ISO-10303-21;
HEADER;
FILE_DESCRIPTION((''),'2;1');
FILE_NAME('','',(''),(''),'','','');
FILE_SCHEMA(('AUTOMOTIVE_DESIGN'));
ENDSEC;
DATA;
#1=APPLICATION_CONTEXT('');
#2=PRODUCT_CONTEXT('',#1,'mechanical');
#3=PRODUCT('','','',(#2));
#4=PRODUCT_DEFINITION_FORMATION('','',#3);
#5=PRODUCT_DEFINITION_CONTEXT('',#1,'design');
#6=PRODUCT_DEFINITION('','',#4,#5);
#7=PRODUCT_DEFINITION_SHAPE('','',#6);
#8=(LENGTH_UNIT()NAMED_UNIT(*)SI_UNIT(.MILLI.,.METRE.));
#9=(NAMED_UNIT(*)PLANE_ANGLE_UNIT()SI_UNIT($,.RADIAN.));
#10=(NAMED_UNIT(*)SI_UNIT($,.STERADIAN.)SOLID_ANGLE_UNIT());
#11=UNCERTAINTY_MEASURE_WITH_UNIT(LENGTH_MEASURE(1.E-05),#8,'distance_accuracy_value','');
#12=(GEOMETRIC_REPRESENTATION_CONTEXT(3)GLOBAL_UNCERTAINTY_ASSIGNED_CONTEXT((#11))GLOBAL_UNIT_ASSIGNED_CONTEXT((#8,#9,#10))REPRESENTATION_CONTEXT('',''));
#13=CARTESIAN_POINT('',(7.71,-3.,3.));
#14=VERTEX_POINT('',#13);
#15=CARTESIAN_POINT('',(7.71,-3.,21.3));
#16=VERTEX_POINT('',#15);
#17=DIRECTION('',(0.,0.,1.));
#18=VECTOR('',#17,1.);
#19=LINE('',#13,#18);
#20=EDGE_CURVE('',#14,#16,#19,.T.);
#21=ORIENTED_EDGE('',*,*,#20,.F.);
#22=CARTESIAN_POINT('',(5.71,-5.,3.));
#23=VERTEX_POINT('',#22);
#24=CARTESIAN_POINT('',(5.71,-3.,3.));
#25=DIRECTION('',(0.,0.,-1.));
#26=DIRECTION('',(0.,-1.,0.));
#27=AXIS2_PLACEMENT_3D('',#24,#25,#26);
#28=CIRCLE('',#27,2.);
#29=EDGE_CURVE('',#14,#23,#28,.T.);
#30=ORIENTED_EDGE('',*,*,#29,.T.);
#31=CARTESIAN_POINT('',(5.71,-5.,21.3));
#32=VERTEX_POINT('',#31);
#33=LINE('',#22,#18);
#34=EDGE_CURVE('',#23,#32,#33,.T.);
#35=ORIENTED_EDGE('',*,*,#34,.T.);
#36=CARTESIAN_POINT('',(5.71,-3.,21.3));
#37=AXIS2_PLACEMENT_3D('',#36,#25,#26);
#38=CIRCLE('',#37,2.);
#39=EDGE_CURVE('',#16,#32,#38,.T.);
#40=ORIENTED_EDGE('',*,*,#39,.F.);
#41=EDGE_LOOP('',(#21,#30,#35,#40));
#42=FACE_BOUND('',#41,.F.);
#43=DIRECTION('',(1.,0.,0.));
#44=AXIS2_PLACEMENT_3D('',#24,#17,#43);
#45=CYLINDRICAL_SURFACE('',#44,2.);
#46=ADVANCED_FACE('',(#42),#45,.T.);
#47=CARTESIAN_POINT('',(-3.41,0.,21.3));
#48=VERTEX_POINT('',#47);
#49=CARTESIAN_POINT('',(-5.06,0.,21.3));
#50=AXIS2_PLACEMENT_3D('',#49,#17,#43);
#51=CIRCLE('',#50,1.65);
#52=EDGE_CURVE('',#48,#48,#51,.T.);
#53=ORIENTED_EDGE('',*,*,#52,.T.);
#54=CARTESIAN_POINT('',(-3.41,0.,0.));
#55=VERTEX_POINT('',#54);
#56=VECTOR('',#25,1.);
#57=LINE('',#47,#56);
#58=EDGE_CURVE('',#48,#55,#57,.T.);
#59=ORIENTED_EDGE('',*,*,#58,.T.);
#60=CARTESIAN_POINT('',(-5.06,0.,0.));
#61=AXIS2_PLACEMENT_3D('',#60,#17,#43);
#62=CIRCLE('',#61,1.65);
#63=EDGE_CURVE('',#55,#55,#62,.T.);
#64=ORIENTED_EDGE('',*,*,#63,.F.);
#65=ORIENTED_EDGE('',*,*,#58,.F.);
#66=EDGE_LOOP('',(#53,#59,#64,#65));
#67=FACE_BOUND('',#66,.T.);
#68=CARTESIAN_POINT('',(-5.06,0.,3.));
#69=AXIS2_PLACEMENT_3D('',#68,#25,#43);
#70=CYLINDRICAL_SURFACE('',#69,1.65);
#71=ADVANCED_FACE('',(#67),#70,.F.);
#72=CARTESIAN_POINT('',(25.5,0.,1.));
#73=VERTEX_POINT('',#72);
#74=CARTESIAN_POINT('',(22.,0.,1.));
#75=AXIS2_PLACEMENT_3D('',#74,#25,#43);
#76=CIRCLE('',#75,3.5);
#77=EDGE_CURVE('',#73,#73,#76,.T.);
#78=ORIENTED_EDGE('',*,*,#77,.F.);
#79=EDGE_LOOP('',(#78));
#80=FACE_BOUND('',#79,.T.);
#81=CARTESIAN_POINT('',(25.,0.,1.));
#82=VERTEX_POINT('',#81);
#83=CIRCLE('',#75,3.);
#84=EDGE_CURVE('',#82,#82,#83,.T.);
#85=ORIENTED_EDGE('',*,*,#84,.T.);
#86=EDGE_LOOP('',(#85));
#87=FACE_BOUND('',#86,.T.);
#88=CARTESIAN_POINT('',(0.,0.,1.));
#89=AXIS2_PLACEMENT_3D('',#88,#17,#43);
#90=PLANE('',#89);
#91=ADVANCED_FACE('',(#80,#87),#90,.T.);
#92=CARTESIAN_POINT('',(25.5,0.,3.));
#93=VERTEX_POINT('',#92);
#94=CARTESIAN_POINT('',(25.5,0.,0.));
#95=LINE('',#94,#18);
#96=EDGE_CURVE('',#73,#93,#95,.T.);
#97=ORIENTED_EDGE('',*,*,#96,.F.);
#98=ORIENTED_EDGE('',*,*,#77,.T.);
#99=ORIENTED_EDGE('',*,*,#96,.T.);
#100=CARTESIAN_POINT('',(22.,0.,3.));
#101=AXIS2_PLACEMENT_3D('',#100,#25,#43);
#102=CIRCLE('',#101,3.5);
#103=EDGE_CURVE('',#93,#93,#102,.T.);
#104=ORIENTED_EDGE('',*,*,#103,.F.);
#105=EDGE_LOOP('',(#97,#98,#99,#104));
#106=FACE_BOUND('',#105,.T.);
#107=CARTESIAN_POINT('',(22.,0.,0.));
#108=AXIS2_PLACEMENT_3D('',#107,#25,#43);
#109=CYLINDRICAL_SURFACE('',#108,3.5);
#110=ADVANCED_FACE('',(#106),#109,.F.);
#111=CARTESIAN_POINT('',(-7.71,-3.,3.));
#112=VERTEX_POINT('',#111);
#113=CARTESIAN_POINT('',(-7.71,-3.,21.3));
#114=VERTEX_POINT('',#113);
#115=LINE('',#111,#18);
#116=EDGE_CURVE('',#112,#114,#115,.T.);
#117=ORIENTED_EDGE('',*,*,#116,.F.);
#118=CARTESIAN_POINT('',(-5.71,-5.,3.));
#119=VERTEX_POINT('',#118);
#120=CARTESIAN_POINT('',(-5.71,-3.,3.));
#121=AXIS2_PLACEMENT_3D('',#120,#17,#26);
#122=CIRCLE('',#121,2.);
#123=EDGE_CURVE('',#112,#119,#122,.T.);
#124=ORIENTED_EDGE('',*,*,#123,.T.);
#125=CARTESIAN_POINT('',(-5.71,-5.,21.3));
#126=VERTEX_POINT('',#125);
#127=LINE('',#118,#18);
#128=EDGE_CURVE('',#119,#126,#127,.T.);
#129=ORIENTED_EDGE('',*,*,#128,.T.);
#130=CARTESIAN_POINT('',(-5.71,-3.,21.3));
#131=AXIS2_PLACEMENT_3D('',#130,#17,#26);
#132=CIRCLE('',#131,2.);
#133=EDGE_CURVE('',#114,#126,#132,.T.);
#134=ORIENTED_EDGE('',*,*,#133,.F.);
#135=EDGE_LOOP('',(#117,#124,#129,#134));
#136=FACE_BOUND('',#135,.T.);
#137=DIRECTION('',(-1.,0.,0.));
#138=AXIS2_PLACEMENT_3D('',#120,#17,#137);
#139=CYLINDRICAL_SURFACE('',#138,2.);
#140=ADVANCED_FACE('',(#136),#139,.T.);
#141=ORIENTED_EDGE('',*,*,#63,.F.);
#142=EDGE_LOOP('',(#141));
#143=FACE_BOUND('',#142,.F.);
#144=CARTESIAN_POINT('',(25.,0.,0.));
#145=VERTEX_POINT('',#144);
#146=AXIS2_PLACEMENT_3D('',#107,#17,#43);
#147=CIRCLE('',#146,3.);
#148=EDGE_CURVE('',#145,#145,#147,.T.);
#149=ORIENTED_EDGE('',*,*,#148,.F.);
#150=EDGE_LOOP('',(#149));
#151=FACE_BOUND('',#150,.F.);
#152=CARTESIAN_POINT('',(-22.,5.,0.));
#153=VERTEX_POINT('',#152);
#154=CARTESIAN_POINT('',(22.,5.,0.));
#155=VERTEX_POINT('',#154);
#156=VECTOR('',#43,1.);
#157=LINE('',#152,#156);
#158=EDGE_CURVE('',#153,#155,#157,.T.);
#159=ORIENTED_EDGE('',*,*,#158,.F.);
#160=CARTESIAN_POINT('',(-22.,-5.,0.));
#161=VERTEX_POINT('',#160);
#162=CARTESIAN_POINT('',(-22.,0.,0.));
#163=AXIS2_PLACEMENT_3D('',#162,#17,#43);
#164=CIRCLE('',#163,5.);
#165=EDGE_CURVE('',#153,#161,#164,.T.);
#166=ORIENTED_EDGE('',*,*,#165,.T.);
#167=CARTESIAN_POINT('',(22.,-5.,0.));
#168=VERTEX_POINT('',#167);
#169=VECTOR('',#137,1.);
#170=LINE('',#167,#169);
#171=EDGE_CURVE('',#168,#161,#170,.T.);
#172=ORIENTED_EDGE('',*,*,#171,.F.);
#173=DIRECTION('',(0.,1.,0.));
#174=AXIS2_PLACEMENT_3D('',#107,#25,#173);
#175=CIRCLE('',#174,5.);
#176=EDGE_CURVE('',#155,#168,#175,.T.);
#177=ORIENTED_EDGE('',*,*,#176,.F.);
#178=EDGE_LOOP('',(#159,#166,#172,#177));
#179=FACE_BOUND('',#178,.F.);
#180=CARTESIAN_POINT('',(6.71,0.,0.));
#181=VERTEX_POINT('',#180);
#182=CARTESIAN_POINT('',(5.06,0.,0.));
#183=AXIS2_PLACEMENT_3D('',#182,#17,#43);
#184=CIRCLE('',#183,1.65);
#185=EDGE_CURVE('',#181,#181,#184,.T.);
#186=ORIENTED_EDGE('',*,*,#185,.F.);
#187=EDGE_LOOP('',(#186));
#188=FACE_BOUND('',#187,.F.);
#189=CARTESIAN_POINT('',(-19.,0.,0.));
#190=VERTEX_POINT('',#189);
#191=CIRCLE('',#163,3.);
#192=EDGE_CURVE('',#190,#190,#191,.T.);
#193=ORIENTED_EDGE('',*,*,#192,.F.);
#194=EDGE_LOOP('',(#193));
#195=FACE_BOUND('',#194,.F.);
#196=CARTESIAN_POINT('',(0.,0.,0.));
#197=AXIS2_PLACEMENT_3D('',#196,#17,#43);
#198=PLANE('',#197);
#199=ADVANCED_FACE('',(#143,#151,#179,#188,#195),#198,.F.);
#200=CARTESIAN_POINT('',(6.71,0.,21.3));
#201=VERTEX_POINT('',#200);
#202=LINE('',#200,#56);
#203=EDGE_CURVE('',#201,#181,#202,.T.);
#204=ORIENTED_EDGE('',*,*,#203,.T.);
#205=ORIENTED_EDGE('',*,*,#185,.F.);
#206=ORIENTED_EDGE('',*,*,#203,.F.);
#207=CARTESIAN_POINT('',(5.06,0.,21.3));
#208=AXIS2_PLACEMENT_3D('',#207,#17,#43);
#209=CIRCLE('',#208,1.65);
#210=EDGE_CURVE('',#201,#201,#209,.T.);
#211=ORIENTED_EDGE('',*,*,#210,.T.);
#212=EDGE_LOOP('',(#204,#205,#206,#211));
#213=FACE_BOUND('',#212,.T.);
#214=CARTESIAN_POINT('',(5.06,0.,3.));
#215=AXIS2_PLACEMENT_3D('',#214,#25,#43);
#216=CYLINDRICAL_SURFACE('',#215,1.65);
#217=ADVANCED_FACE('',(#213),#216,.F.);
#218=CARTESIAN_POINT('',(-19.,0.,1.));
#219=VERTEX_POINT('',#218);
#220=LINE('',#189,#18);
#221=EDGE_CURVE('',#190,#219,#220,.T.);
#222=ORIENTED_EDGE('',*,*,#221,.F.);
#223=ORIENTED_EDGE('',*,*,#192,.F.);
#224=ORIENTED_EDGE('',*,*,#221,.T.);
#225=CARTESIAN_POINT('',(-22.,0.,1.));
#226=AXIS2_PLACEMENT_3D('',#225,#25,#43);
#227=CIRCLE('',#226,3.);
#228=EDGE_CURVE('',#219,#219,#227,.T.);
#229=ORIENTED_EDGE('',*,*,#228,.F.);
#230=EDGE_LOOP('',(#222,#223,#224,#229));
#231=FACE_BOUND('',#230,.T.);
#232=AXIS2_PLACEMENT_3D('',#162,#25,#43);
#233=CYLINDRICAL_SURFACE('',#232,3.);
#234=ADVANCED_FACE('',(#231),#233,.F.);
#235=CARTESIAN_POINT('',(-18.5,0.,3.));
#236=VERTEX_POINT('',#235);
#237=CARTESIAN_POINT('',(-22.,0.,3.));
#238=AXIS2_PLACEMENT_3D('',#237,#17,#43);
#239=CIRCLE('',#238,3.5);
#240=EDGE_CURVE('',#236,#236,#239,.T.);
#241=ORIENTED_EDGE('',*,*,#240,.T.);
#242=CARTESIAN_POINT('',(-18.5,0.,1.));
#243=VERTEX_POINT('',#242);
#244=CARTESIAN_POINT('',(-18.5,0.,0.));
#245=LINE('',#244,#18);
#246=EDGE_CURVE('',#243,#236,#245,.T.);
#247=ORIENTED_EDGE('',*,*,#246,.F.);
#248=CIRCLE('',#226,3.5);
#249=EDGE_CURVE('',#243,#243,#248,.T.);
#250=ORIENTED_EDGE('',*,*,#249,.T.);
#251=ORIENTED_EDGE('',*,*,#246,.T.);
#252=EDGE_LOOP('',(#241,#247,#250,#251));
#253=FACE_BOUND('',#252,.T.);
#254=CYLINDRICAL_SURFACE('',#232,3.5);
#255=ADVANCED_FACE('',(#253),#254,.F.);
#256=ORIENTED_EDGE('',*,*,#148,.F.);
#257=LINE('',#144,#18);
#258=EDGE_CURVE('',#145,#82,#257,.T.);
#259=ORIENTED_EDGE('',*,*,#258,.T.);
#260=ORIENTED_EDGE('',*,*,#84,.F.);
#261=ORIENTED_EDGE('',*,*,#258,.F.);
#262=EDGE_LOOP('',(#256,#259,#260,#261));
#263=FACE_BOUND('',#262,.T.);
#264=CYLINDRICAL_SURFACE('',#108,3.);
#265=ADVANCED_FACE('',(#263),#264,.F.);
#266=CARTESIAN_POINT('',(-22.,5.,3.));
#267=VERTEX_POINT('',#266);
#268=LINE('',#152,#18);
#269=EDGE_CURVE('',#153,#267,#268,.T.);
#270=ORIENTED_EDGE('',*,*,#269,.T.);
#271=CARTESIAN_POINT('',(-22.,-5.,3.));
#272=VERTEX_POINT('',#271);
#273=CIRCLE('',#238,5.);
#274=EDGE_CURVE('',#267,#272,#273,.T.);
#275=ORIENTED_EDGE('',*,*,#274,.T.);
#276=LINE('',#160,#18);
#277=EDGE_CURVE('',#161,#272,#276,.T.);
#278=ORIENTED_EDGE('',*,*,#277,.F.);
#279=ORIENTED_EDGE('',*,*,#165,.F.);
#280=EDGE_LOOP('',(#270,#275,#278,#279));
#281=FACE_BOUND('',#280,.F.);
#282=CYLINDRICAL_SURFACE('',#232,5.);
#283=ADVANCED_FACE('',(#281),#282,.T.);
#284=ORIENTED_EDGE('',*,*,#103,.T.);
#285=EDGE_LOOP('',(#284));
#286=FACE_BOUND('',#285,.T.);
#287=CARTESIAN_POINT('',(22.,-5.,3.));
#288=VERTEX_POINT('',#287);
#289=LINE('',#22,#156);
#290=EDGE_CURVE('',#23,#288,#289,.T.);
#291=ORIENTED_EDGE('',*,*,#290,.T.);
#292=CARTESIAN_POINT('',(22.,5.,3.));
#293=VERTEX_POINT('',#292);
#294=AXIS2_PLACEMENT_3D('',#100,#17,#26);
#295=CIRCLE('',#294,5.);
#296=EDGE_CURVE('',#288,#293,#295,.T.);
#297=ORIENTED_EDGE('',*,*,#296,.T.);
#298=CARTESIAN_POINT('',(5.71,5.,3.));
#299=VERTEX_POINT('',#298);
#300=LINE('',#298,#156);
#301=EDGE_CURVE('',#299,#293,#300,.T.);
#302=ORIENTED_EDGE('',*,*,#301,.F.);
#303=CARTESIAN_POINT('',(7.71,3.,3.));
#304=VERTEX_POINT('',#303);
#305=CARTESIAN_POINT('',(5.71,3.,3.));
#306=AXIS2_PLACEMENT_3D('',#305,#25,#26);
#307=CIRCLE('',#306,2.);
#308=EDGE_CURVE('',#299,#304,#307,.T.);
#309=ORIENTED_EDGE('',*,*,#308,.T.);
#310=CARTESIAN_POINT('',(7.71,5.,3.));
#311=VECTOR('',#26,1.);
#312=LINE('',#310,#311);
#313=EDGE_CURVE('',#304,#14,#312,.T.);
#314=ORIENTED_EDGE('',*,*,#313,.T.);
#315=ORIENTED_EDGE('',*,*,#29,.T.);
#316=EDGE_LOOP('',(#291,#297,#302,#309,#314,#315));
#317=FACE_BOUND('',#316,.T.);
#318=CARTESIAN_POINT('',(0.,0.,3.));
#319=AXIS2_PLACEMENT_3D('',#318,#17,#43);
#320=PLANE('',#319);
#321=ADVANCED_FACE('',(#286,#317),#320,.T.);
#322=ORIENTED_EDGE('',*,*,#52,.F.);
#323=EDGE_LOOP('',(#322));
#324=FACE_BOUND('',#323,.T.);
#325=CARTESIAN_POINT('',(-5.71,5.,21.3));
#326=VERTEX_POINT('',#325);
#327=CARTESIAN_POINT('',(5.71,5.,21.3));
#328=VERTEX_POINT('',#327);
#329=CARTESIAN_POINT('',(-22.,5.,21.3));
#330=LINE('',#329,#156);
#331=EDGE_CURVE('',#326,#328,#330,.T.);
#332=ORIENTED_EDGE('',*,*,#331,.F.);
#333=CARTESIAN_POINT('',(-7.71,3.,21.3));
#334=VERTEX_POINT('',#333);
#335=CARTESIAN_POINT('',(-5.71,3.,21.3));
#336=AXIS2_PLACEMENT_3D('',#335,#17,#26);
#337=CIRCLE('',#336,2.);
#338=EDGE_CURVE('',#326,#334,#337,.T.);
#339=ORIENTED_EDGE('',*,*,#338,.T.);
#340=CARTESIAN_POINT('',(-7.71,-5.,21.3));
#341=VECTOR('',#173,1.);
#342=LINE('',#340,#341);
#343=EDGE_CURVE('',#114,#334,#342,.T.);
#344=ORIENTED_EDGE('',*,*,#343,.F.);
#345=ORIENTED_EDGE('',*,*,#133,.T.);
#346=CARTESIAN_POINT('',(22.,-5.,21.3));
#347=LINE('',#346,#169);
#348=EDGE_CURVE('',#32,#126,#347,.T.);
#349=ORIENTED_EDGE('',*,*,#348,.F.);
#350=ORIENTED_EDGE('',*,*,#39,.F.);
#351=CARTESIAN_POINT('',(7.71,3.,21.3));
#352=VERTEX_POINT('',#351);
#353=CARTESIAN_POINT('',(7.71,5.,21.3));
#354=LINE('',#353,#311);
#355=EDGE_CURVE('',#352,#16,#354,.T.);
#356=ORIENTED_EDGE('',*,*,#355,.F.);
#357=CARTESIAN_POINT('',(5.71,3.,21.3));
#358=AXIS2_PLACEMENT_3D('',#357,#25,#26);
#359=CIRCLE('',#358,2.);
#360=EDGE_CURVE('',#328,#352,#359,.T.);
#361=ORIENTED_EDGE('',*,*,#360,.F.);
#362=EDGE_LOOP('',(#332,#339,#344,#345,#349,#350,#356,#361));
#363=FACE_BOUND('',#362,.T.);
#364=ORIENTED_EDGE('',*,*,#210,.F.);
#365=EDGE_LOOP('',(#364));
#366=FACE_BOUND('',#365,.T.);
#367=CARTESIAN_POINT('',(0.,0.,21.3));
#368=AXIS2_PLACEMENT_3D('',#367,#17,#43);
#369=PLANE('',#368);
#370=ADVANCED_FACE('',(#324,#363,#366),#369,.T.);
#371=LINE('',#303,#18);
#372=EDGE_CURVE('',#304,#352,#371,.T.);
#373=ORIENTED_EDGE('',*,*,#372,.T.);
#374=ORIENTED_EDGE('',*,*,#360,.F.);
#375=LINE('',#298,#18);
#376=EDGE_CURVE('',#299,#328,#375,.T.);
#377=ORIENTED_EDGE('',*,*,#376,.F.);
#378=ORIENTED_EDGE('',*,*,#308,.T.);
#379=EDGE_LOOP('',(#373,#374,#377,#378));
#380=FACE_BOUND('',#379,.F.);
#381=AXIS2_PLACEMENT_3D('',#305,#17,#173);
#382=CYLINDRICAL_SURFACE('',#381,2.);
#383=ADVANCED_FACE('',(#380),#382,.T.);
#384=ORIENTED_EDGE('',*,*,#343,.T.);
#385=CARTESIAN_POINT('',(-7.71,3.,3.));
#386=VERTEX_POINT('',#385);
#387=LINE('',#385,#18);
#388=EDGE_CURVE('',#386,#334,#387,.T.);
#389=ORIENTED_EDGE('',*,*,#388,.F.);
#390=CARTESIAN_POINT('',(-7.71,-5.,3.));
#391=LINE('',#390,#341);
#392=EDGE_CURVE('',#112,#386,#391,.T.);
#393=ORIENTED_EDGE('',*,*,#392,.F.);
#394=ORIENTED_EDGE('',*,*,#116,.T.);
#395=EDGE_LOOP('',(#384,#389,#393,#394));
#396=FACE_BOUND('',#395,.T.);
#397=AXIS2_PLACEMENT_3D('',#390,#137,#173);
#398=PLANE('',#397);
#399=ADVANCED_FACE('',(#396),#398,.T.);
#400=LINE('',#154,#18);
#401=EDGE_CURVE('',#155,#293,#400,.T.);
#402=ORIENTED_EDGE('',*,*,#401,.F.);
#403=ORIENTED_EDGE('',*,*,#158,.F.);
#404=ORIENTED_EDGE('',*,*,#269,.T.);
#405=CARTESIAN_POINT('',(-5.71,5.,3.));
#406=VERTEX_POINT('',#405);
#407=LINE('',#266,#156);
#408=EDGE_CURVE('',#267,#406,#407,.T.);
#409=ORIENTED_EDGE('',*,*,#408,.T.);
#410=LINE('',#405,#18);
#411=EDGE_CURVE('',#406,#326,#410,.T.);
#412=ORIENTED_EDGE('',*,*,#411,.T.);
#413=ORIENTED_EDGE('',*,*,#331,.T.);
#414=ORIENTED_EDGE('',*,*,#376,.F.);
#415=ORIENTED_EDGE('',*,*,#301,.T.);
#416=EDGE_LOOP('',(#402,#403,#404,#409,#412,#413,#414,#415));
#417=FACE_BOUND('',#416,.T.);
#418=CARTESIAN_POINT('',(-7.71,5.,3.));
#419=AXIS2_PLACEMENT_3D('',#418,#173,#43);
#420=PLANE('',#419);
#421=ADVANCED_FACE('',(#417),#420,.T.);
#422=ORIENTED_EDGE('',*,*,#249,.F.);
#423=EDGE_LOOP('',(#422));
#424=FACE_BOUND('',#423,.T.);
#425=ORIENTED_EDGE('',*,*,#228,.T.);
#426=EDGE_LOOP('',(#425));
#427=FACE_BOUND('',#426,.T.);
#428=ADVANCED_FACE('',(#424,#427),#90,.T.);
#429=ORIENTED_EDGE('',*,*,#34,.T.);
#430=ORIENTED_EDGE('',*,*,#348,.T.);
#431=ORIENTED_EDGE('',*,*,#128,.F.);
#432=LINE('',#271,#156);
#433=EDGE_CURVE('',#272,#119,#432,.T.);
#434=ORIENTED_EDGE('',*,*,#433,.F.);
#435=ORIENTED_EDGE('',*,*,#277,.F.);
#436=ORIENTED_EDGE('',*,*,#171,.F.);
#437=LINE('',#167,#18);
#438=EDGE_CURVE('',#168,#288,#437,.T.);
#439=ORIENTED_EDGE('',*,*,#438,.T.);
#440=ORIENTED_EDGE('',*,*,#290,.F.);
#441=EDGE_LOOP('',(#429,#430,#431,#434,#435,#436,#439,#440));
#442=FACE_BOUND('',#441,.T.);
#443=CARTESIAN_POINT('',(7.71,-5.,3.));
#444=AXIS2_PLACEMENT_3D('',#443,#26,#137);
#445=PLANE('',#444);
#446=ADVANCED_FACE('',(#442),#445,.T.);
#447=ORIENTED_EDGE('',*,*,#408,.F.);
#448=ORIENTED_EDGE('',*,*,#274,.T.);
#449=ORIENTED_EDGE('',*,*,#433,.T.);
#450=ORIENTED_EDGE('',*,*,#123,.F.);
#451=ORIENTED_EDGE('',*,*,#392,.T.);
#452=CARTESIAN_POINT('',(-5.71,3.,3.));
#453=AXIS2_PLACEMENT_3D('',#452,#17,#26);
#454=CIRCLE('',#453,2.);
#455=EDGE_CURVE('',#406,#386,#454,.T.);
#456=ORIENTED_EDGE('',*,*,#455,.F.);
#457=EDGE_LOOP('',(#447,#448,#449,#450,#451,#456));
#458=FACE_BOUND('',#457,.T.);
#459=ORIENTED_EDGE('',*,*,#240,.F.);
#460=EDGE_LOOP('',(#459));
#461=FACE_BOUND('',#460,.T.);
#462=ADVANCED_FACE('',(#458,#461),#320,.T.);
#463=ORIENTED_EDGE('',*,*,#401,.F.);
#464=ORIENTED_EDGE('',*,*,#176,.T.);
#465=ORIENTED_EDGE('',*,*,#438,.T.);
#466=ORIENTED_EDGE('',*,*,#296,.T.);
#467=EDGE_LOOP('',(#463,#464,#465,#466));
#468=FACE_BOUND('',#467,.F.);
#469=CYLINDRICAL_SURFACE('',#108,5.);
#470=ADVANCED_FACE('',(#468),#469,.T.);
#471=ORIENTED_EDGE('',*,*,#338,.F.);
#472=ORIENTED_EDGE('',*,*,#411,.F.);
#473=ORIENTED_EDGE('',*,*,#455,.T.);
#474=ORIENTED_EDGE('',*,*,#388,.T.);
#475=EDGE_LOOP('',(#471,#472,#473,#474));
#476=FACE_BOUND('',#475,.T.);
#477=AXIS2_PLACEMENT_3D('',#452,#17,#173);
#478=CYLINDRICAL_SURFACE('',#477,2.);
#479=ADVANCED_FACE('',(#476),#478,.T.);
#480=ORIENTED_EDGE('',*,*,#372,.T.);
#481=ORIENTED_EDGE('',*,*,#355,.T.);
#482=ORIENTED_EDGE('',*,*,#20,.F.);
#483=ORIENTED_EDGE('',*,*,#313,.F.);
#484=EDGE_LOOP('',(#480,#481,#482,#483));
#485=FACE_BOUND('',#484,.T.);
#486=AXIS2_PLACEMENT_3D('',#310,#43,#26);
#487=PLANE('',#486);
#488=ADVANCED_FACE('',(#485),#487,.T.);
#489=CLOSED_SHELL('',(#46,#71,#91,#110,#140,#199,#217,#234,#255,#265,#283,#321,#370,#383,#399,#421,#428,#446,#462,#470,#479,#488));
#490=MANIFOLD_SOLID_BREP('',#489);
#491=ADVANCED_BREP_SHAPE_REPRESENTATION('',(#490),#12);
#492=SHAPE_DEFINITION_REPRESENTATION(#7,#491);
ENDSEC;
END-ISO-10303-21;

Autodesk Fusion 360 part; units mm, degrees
sketch "Skizze1" plane through (0, 0, 0) normal (0, 0, 1) x (1, 0, 0)
  line L0 (-22, 5) -> (22, 5)
  line L1 (22, 5) -> (22, -5)
  line L2 (22, -5) -> (-22, -5)
  line L3 (-22, -5) -> (-22, 5)
  circle A0 centre (-22, 0) radius 3.5
  circle A1 centre (22, 0) radius 3.5
  circle A2 centre (-22, 0) radius 5
  circle A3 centre (22, 0) radius 5
  line L4 (-13.5, 5) -> (13.5, 5)
  line L5 (13.5, -5) -> (-13.5, -5)
  circle A4 centre (-22, 0) radius 3
  circle A5 centre (22, 0) radius 3
  circle A6 centre (-5.06, 0) radius 1.65
  circle A7 centre (5.06, 0) radius 1.65
  line L6 (-7.71, 5) -> (7.71, 5)
  line L7 (7.71, -5) -> (-7.71, -5)
  line L8 (-7.71, 5) -> (7.71, 5)
  line L9 (7.71, 5) -> (7.71, -5)
  line L10 (7.71, -5) -> (-7.71, -5)
  line L11 (-7.71, -5) -> (-7.71, 5)
  dimension "d1" = 44
  dimension "d2" = 22
  dimension "d3" = 10
  dimension "d4" = 5
  dimension "d5" = 7
  dimension "d6" = 7
  dimension "d7" = 10
  dimension "d8" = 10
  dimension "d11" = 10
  dimension "d12" = 0
  dimension "d18" = 6
  dimension "d19" = 6
  dimension "d22" = 3.3
  dimension "d23" = 3.3
  dimension "d28" = 10
  dimension "d35" = 15.42
  dimension "d36" = 10
  dimension "d37" = 14.29
  dimension "d40" = 2.65
  dimension "d41" = 2.65
extrude "Extrusion1" add sketch "Skizze1" along normal blind 3 contours L3 A0 A2 | L0 L2 A2 L4 L5 L11 | L3 A0 A2 | L0 L2 L4 L5 L6 L7 L8 L9 L10 L11 | L0 L2 A3 L4 L5 L9 | L1 A1 A3 | L1 A1 A3
extrude "Extrusion3" add sketch "Skizze1" along normal blind 1 contours L3 A0 A4 | L3 A0 A4 | L1 A1 A5 | L1 A1 A5
extrude "Extrusion6" add sketch "Skizze1" along normal blind 18.3 from surface at 3 contours L0 L2 L4 L5 L6 L7 L8 L9 L10 L11
fillet "Abrundung1" radius 2 4 edges at (7.71, 5, 12.15) (-7.71, 5, 12.15) (-7.71, -5, 12.15) (7.71, -5, 12.15)
equation "d2 = d1 / 2"
equation "d4 = d3 / 2"
equation "d6 = d5"
equation "d7 = d3"
equation "d8 = d7"
equation "d11 = d3"
equation "d12 = ( d3 - d11 ) / 2"
equation "d18 = d5 - 1 mm"
equation "d19 = d18"
equation "d23 = d22"
equation "d24 = d31 / 2"
equation "d28 = d11"
equation "d29 = 15.22 mm + 0.2 mm"
equation "d31 = 5.79 mm"
equation "d35 = 15.22 mm + 0.2 mm"
equation "d36 = d11"
equation "d37 = ( d1 - d29 ) / 2"
equation "d40 = d41"
equation "d41 = 1.00 mm + d22 / 2"
equation "d43 = 20.3 mm - 3 mm + 1 mm"
